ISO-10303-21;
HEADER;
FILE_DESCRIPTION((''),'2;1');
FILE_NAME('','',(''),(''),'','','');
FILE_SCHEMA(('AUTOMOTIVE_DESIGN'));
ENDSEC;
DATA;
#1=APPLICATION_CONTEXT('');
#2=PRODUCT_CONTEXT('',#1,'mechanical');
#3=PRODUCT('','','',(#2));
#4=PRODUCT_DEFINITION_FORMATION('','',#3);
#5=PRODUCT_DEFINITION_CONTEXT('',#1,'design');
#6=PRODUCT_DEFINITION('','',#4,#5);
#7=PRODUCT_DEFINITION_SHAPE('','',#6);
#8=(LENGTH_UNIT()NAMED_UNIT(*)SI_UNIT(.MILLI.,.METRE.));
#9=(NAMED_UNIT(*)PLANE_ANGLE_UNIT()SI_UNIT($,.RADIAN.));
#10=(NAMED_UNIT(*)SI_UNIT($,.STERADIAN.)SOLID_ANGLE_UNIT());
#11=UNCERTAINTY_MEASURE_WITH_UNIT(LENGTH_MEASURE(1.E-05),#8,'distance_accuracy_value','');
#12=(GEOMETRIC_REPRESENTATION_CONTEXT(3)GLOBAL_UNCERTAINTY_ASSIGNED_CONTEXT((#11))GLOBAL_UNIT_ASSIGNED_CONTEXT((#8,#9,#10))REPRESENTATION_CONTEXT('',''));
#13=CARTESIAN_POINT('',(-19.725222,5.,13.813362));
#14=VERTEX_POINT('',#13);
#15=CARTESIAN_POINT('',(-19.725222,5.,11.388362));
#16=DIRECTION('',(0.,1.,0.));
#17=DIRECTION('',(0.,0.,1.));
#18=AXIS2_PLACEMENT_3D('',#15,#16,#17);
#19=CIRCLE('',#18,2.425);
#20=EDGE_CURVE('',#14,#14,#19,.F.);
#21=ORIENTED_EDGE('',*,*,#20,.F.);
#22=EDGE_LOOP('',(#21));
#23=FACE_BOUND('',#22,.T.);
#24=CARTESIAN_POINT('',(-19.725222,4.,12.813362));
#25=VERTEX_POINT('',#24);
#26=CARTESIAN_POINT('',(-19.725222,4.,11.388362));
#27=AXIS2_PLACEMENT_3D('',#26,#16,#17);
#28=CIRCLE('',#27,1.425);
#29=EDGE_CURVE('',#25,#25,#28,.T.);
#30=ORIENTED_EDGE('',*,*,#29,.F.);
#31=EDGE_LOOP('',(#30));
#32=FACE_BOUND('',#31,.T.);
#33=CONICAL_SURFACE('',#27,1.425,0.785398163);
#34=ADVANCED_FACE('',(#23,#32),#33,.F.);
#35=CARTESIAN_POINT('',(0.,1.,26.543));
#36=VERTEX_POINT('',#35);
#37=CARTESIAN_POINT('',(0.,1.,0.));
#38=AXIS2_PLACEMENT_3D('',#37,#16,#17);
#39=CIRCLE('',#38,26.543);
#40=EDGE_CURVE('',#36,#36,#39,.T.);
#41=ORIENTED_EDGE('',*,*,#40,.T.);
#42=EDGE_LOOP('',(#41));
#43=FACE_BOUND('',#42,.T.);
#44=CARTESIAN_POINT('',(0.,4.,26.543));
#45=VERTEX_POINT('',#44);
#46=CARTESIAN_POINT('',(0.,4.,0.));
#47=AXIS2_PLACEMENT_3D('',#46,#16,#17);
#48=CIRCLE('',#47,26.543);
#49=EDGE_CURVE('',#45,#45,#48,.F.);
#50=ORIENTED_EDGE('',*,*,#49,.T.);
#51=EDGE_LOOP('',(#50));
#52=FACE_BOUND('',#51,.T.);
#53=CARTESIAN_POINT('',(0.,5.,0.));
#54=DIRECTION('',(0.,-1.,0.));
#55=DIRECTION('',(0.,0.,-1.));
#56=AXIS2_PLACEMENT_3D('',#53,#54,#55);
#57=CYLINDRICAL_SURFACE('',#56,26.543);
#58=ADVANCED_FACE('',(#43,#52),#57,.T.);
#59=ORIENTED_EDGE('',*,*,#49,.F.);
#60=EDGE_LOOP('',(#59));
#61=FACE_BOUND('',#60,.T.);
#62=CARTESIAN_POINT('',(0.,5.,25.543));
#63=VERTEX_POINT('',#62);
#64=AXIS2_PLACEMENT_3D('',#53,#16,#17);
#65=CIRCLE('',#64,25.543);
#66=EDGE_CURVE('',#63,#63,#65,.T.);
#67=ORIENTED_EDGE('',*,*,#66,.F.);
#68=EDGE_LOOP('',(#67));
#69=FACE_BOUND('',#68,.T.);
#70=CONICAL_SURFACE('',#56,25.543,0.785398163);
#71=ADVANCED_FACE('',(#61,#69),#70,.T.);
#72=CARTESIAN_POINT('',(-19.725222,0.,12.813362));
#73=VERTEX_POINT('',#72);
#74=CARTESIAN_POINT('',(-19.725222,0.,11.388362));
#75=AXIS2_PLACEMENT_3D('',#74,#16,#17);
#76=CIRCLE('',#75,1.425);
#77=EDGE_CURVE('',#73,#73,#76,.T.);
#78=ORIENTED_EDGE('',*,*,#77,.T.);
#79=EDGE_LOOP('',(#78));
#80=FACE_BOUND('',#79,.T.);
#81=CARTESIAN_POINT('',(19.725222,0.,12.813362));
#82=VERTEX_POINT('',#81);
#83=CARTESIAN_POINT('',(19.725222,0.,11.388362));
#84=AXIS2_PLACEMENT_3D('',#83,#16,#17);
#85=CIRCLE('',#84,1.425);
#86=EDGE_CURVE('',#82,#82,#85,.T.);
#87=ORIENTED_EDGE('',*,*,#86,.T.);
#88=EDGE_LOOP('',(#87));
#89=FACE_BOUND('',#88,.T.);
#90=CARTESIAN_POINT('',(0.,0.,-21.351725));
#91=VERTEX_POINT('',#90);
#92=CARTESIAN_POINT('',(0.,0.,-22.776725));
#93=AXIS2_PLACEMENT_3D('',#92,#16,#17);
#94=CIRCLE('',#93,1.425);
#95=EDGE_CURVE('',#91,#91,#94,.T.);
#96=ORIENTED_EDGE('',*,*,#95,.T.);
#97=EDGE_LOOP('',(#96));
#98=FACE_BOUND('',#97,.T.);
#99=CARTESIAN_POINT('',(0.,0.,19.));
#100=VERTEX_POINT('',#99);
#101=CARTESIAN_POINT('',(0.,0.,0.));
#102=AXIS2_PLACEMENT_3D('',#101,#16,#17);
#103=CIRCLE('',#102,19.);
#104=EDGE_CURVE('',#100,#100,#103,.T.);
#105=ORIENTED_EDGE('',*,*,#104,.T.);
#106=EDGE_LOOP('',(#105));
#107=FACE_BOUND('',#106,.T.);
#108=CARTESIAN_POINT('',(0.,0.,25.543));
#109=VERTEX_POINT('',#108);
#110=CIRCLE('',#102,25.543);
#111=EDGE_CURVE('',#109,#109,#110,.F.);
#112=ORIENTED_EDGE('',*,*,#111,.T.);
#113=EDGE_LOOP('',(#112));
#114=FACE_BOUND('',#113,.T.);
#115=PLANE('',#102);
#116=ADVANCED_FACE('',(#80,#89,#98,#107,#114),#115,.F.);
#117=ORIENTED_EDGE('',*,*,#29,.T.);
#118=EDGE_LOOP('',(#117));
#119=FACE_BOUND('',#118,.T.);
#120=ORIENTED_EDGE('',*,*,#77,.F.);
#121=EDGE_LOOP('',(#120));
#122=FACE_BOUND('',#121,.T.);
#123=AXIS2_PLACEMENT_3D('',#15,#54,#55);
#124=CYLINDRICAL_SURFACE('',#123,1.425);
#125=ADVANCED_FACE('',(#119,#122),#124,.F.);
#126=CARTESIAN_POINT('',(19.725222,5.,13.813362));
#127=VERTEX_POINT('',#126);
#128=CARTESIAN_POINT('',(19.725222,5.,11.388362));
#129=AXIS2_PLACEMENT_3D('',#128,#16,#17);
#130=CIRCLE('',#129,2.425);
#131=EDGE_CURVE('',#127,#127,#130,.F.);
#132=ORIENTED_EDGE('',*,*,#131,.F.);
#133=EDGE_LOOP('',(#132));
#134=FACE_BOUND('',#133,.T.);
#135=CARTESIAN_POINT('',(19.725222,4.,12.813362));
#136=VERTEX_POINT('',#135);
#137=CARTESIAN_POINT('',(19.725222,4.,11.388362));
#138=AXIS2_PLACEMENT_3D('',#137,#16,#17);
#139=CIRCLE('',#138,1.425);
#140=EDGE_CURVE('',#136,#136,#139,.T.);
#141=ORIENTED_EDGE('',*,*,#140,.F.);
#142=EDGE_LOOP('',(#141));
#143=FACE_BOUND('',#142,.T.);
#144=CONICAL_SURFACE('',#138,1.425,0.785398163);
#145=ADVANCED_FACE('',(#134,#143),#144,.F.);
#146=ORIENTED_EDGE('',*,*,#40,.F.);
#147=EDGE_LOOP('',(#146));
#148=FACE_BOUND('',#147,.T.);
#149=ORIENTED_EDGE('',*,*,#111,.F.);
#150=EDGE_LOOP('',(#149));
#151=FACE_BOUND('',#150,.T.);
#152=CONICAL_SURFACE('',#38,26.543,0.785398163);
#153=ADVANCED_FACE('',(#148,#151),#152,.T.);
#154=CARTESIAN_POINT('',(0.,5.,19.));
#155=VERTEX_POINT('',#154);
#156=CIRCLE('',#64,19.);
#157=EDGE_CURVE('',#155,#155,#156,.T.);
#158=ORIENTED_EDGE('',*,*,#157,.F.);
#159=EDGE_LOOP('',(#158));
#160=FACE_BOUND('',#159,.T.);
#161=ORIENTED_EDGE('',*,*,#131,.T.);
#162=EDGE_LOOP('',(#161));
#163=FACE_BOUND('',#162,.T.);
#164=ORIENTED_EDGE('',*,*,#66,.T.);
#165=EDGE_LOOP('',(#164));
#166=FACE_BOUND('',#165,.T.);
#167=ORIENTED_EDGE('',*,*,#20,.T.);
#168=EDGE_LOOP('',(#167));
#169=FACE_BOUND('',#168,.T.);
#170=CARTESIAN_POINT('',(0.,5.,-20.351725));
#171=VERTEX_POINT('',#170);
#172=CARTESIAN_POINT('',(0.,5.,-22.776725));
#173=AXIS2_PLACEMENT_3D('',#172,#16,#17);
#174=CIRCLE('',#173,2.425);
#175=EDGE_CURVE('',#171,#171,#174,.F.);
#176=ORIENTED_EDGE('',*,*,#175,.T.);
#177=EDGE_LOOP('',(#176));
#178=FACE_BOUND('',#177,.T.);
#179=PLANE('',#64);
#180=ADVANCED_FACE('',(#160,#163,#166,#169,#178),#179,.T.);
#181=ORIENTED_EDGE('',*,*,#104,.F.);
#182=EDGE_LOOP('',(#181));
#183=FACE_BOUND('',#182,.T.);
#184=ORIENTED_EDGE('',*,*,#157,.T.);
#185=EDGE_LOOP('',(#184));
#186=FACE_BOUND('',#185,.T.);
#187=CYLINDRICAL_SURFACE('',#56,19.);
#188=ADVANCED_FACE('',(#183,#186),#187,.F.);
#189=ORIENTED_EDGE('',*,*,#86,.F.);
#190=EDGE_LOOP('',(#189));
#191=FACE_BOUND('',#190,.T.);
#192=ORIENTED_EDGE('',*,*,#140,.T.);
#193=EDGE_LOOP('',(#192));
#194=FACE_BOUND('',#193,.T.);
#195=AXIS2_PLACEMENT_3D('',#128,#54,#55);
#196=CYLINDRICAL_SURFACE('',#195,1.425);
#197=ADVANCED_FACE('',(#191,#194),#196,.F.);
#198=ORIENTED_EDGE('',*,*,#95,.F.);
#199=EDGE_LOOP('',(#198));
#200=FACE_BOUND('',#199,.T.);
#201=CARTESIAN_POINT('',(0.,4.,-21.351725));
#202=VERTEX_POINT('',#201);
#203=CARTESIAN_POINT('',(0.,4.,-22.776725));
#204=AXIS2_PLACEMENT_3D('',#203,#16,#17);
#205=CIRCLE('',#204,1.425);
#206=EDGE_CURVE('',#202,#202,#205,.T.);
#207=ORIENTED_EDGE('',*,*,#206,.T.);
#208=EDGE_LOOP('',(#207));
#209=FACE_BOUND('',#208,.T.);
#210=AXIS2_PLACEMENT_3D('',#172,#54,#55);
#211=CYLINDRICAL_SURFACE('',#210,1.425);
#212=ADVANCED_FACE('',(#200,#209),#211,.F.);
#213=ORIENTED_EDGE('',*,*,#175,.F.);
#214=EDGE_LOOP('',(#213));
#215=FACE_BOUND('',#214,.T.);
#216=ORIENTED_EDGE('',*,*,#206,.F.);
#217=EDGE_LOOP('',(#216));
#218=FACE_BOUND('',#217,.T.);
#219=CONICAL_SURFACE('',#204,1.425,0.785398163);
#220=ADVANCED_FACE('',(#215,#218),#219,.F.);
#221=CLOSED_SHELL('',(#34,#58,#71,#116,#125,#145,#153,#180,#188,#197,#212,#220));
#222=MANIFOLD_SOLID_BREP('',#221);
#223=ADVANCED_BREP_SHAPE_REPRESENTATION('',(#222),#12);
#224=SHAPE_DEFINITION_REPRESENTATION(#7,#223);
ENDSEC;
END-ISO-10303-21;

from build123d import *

# Parameters (mm, degrees)
SKETCH1_R           = 26.543
SKETCH1_R_2         = 19
SKETCH1_R_3         = 1.425
BOSS_EXTRUDE1_DEPTH = 5
CHAMFER1_SIZE       = 1
CHAMFER2_SIZE       = 1
CHAMFER3_SIZE       = 1
CHAMFER4_SIZE       = 1
CHAMFER5_SIZE       = 1


with BuildPart() as part:
    # Sketch1 → Boss-Extrude1 (new body)
    with BuildSketch(Plane(origin=(0, 0, 0), x_dir=(1, 0, 0), z_dir=(0, 1, 0))):
        Circle(SKETCH1_R)
        Circle(SKETCH1_R_2, mode=Mode.SUBTRACT)
        with Locations((0, 22.776724903)):
            Circle(SKETCH1_R_3, mode=Mode.SUBTRACT)
        with Locations((19.725222381, -11.388362451)):
            Circle(SKETCH1_R_3, mode=Mode.SUBTRACT)
        with Locations((-19.725222381, -11.388362451)):
            Circle(SKETCH1_R_3, mode=Mode.SUBTRACT)
    extrude(amount=BOSS_EXTRUDE1_DEPTH)

    # Chamfer1
    chamfer1_edges = [part.edges().sort_by_distance(p)[0] for p in [
        (-1.425, 5, -22.776724903),
    ]]
    chamfer(chamfer1_edges, length=CHAMFER1_SIZE)

    # Chamfer2
    chamfer2_edges = [part.edges().sort_by_distance(p)[0] for p in [
        (-21.150222381, 5, 11.388362451),
    ]]
    chamfer(chamfer2_edges, length=CHAMFER2_SIZE)

    # Chamfer3
    chamfer3_edges = [part.edges().sort_by_distance(p)[0] for p in [
        (18.300222381, 5, 11.388362451),
    ]]
    chamfer(chamfer3_edges, length=CHAMFER3_SIZE)

    # Chamfer4
    chamfer4_edges = [part.edges().sort_by_distance(p)[0] for p in [
        (-26.543, 5, 0),
    ]]
    chamfer(chamfer4_edges, length=CHAMFER4_SIZE)

    # Chamfer5
    chamfer5_edges = [part.edges().sort_by_distance(p)[0] for p in [
        (-26.543, 0, 0),
    ]]
    chamfer(chamfer5_edges, length=CHAMFER5_SIZE)


solid = part.part
